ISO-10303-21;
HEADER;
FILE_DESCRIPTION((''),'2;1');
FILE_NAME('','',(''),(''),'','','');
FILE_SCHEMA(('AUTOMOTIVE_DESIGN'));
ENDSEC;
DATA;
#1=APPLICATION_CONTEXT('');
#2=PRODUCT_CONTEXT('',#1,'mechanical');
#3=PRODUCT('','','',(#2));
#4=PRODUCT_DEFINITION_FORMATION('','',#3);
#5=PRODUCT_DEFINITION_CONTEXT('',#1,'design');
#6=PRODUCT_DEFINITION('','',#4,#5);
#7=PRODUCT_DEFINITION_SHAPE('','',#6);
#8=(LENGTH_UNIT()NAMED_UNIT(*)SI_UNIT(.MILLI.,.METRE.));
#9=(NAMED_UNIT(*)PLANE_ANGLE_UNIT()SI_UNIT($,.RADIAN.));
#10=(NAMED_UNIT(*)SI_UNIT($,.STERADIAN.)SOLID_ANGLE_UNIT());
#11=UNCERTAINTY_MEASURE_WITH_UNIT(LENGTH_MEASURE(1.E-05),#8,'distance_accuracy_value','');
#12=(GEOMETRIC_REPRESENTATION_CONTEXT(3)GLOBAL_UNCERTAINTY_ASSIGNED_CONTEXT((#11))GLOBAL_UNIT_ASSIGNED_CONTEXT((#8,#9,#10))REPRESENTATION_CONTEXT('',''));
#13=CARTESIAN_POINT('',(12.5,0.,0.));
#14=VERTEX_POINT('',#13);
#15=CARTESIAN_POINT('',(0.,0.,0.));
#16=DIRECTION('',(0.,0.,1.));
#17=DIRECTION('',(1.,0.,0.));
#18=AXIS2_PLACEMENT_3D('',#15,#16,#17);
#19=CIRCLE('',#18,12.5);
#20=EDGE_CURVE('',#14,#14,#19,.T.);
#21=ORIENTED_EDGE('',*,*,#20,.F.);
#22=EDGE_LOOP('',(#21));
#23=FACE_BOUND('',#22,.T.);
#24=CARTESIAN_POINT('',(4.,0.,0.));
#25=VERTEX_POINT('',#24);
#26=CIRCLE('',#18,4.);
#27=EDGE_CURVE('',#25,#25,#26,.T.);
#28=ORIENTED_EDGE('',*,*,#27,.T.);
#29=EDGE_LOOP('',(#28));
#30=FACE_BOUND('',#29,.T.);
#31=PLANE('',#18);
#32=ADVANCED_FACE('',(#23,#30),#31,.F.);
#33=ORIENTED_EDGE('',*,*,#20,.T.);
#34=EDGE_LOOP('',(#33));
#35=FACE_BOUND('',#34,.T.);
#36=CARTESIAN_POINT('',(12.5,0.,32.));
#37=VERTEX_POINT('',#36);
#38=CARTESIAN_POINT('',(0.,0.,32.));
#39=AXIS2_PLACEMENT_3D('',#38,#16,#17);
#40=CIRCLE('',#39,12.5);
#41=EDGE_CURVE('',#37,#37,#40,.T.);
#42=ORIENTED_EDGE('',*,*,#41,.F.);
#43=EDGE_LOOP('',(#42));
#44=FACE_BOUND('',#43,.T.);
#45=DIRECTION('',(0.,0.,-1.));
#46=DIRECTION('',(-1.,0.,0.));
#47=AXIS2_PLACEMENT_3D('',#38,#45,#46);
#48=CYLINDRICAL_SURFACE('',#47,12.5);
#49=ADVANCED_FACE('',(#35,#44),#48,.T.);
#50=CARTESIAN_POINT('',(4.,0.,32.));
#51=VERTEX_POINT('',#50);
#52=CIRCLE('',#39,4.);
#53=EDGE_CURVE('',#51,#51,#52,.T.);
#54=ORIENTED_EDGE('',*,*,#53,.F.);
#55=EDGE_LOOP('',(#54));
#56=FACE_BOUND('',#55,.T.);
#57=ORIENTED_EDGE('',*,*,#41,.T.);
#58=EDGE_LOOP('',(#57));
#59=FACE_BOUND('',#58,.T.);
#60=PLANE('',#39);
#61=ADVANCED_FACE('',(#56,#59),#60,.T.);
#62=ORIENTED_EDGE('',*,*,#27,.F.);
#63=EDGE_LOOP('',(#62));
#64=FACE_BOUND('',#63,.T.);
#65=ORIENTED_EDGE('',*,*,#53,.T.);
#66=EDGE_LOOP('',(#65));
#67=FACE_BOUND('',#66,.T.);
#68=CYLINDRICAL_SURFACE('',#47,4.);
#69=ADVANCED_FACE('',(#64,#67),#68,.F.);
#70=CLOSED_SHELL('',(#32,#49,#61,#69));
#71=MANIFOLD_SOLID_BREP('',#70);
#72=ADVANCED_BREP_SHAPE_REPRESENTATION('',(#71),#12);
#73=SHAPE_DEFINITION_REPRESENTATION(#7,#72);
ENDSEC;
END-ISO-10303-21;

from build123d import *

# Parameters (mm, degrees)
ESQUISSE1_R          = 12.5
ESQUISSE1_R_2        = 4
BASE_EXTRUSION_DEPTH = 32


with BuildPart() as part:
    # Esquisse1 → Base-Extrusion (new body)
    with BuildSketch(Plane.XY):
        Circle(ESQUISSE1_R)
        Circle(ESQUISSE1_R_2, mode=Mode.SUBTRACT)
    extrude(amount=BASE_EXTRUSION_DEPTH)


solid = part.part
